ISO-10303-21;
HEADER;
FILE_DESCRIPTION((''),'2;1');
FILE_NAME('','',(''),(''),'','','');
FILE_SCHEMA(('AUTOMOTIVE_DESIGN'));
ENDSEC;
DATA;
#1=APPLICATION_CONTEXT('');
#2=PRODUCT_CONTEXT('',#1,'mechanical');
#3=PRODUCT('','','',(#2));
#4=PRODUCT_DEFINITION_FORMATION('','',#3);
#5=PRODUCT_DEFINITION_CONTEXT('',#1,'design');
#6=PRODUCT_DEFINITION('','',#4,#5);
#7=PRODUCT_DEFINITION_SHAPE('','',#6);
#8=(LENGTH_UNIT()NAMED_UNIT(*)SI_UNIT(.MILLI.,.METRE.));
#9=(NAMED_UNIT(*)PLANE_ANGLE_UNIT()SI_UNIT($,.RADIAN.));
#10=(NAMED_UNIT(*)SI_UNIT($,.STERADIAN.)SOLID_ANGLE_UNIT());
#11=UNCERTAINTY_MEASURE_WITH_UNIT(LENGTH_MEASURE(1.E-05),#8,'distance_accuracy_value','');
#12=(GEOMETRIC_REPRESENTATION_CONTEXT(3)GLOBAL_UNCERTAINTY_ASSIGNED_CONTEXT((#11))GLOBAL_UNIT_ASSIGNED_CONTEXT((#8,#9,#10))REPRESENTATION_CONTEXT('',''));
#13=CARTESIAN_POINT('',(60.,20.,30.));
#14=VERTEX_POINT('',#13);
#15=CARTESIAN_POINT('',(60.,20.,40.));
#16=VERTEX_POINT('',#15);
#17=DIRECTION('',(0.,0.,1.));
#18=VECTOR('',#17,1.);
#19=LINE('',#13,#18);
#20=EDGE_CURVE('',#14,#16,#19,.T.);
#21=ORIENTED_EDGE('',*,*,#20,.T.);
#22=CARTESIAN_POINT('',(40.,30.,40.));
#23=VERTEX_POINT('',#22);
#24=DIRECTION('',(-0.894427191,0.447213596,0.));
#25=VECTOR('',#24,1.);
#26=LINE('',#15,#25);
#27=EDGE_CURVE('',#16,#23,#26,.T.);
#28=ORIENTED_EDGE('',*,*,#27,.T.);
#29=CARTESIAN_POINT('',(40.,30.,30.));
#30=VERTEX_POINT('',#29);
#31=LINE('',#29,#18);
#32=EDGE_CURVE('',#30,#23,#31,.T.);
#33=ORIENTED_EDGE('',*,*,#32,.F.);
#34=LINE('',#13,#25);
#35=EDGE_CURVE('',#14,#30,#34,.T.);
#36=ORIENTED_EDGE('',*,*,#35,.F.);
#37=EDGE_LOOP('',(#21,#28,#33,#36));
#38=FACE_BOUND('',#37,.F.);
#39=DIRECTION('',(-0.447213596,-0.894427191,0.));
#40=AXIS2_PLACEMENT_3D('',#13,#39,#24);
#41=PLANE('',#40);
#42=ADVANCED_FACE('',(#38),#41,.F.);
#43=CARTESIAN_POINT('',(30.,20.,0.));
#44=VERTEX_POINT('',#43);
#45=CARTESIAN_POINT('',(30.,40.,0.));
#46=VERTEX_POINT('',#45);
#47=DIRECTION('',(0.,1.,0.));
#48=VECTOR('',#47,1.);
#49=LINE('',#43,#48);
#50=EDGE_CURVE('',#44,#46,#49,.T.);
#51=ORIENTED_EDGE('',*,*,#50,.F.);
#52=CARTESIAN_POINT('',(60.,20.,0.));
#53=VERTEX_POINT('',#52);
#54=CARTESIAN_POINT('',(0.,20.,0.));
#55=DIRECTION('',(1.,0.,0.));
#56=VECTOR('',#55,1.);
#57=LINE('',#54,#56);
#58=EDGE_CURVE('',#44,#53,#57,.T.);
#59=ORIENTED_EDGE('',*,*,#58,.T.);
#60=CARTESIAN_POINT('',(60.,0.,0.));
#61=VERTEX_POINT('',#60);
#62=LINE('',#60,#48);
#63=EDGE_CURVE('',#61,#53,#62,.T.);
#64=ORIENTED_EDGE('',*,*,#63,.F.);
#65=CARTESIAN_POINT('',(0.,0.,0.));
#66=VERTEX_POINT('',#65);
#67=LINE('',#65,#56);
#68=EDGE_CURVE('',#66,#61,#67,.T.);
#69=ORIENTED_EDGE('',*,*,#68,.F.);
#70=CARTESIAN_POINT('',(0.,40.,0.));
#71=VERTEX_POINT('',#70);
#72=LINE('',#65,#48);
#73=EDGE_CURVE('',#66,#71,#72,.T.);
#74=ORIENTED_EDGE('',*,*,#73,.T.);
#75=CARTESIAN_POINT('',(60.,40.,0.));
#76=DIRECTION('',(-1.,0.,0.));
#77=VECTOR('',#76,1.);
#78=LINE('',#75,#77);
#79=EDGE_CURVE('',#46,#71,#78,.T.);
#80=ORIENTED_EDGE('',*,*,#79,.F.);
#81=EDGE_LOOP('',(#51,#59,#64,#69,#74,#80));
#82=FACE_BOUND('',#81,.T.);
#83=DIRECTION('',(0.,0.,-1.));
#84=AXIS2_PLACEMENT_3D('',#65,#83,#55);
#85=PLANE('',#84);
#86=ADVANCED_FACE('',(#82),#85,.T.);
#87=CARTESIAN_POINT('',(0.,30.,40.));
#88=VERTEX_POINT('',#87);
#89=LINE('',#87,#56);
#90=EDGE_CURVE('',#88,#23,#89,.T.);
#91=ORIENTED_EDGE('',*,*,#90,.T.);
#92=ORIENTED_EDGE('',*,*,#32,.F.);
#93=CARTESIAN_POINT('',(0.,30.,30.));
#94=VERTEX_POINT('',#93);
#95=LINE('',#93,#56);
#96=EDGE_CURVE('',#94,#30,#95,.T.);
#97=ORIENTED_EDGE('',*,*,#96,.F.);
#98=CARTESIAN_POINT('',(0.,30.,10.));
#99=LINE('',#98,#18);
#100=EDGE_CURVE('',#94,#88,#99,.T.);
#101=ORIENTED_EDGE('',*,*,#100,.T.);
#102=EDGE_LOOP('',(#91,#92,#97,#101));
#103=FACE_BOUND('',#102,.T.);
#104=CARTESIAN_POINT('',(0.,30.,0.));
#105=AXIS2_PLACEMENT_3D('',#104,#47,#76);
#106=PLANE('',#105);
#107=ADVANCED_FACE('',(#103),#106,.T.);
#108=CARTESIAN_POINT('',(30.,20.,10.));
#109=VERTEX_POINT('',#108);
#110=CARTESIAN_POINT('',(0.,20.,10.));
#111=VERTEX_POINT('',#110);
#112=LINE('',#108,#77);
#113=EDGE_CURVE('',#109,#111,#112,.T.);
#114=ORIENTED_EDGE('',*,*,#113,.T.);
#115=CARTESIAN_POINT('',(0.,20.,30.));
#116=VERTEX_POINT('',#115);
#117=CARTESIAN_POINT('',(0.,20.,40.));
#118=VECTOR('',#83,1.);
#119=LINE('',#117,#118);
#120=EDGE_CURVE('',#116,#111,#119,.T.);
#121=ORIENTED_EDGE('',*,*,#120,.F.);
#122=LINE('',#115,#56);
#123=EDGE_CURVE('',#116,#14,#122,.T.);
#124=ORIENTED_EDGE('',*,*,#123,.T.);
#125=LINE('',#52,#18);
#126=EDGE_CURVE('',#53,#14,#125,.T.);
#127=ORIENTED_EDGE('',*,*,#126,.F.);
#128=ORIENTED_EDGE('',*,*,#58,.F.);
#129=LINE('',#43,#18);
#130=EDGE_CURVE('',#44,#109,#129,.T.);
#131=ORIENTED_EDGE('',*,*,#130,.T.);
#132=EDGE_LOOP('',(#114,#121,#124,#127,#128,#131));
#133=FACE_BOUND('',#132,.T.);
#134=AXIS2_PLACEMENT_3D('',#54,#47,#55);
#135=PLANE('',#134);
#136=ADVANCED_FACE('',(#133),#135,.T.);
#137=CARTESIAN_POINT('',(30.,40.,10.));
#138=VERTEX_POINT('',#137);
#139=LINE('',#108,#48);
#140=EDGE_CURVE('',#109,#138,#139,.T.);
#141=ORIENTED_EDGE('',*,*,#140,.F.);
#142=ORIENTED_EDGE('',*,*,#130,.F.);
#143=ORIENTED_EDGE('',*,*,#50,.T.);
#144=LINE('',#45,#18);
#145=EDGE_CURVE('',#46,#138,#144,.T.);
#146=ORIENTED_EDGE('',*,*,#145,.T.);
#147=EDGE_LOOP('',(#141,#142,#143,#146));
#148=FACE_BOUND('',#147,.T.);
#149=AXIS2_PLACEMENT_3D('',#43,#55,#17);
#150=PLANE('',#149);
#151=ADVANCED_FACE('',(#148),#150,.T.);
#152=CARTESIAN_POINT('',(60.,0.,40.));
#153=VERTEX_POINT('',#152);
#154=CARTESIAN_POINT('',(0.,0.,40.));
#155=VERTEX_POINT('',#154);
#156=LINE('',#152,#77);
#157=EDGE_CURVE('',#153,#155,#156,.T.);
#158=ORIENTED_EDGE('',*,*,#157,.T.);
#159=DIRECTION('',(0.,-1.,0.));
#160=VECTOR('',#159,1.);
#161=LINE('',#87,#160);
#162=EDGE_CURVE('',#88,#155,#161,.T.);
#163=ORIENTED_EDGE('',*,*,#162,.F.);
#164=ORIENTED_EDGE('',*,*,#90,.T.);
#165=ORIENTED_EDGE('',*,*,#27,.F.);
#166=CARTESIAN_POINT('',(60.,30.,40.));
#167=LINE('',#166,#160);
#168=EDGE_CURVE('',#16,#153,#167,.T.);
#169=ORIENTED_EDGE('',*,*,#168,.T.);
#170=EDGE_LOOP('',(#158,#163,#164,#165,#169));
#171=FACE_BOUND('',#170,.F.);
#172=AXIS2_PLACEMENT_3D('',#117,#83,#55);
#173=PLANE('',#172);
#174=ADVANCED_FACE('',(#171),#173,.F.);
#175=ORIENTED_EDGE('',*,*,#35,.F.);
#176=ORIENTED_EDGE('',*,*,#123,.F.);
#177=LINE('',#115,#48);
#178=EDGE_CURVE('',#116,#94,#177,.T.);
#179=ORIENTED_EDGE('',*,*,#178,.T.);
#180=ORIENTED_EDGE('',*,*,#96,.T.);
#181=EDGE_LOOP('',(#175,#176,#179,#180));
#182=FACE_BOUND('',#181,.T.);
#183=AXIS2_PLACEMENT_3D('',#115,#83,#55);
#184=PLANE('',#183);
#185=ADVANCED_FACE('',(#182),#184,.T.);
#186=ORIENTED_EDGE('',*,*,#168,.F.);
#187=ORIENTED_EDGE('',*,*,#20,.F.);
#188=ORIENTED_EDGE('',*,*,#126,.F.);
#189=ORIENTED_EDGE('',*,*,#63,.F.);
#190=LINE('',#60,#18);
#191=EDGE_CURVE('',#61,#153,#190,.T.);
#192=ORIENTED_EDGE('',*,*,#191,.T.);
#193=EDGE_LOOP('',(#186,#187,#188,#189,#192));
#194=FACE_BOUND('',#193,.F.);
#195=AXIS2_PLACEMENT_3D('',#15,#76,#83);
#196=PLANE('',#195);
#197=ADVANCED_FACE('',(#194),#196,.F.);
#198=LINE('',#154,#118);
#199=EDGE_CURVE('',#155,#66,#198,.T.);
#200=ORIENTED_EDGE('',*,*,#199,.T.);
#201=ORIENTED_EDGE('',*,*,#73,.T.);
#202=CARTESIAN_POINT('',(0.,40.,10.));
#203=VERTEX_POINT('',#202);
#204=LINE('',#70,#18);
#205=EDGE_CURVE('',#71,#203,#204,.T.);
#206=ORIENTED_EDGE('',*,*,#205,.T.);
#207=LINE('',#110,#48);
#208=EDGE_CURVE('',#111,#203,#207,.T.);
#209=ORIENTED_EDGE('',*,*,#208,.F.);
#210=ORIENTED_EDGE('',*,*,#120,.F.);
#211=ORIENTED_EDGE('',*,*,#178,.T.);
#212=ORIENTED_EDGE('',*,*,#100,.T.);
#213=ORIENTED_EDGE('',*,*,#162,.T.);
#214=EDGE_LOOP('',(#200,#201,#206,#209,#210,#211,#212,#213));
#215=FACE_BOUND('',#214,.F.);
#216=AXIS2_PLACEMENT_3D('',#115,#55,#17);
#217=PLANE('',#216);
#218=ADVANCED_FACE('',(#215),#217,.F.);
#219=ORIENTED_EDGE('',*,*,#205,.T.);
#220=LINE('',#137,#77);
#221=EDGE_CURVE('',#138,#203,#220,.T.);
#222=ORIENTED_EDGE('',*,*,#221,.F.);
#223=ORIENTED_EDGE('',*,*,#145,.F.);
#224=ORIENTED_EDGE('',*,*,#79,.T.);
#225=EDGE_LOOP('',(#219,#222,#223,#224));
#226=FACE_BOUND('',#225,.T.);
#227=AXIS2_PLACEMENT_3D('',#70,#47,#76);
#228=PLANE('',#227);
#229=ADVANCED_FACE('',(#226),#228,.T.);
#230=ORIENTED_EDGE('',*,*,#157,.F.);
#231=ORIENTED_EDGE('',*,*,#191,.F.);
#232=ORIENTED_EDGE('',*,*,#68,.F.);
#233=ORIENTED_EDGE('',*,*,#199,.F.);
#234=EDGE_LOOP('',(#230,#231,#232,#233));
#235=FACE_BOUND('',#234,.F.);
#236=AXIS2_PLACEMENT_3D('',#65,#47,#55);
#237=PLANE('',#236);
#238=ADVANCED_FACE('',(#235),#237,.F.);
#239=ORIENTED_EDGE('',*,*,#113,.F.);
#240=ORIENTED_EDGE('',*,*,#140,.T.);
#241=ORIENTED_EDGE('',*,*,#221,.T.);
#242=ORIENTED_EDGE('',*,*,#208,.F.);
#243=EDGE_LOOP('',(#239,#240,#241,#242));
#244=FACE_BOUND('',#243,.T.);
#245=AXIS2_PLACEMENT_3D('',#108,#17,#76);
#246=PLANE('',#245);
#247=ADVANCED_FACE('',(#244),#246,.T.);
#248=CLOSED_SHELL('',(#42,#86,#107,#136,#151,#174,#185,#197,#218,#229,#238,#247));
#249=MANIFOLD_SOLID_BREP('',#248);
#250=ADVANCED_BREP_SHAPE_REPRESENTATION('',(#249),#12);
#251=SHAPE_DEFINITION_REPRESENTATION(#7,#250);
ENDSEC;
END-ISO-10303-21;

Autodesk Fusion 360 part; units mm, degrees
sketch "Sketch1" plane through (0, 0, 0) normal (0, 1, 0) x (1, 0, 0)
  line L0 (0, 0) -> (60, 0)
  line L1 (60, 0) -> (60, -40)
  line L2 (60, -40) -> (0, -40)
  line L3 (0, -40) -> (0, 0)
  dimension "d1" = 60
  dimension "d2" = 40
extrude "Extrude1" add sketch "Sketch1" along normal blind 20
sketch "Sketch2" plane through (0, 20, 0) normal (0, 1, 0) x (-1, 0, 0)
  line L0 (0, 40) -> (-60, 40)
  line L1 (-60, 40) -> (-60, 0)
  line L2 (-60, 0) -> (0, 0)
  line L3 (0, 0) -> (0, 40)
  line L4 (0, 0) -> (-30, 0)
  line L5 (-30, 0) -> (-30, 10)
  line L6 (-30, 10) -> (0, 10)
  line L7 (0, 10) -> (0, 0)
  dimension "d5" = 30
  dimension "d6" = 10
extrude "Extrude2" add sketch "Sketch2" along normal blind 20 contours L2 L3 L4 L5 L6 L7
sketch "Sketch3" plane through (0, 20, 0) normal (0, 1, 0) x (-1, 0, 0)
  line L0 (-30, 0) -> (-30, 10)
  line L1 (-30, 10) -> (0, 10)
  line L2 (0, 10) -> (0, 40)
  line L3 (0, 40) -> (-60, 40)
  line L4 (-60, 40) -> (-60, 0)
  line L5 (-60, 0) -> (-30, 0)
  line L6 (0, 30) -> (-60, 30)
  line L7 (-60, 30) -> (-60, 40)
  line L8 (-60, 40) -> (0, 40)
  line L9 (0, 40) -> (0, 30)
  dimension "d9" = 10
extrude "Extrude3" add sketch "Sketch3" along normal blind 10 contours L2 L3 L4 L6 L7 L8 L9
sketch "Sketch4" plane through (0, 0, 30) normal (0, 0, -1) x (-1, 0, 0)
  line L0 (-60, 20) -> (0, 20)
  line L1 (0, 20) -> (0, 30)
  line L2 (0, 30) -> (-60, 30)
  line L3 (-60, 30) -> (-60, 20)
  line L4 (-60, 20) -> (-40, 30)
  line L5 (-60, 20) -> (-60, 30)
  line L6 (-40, 30) -> (-60, 30)
  dimension "d12" = 20
extrude "Extrude4" cut sketch "Sketch4" against normal blind 10 contours L2 L3 L4 L5 L6
